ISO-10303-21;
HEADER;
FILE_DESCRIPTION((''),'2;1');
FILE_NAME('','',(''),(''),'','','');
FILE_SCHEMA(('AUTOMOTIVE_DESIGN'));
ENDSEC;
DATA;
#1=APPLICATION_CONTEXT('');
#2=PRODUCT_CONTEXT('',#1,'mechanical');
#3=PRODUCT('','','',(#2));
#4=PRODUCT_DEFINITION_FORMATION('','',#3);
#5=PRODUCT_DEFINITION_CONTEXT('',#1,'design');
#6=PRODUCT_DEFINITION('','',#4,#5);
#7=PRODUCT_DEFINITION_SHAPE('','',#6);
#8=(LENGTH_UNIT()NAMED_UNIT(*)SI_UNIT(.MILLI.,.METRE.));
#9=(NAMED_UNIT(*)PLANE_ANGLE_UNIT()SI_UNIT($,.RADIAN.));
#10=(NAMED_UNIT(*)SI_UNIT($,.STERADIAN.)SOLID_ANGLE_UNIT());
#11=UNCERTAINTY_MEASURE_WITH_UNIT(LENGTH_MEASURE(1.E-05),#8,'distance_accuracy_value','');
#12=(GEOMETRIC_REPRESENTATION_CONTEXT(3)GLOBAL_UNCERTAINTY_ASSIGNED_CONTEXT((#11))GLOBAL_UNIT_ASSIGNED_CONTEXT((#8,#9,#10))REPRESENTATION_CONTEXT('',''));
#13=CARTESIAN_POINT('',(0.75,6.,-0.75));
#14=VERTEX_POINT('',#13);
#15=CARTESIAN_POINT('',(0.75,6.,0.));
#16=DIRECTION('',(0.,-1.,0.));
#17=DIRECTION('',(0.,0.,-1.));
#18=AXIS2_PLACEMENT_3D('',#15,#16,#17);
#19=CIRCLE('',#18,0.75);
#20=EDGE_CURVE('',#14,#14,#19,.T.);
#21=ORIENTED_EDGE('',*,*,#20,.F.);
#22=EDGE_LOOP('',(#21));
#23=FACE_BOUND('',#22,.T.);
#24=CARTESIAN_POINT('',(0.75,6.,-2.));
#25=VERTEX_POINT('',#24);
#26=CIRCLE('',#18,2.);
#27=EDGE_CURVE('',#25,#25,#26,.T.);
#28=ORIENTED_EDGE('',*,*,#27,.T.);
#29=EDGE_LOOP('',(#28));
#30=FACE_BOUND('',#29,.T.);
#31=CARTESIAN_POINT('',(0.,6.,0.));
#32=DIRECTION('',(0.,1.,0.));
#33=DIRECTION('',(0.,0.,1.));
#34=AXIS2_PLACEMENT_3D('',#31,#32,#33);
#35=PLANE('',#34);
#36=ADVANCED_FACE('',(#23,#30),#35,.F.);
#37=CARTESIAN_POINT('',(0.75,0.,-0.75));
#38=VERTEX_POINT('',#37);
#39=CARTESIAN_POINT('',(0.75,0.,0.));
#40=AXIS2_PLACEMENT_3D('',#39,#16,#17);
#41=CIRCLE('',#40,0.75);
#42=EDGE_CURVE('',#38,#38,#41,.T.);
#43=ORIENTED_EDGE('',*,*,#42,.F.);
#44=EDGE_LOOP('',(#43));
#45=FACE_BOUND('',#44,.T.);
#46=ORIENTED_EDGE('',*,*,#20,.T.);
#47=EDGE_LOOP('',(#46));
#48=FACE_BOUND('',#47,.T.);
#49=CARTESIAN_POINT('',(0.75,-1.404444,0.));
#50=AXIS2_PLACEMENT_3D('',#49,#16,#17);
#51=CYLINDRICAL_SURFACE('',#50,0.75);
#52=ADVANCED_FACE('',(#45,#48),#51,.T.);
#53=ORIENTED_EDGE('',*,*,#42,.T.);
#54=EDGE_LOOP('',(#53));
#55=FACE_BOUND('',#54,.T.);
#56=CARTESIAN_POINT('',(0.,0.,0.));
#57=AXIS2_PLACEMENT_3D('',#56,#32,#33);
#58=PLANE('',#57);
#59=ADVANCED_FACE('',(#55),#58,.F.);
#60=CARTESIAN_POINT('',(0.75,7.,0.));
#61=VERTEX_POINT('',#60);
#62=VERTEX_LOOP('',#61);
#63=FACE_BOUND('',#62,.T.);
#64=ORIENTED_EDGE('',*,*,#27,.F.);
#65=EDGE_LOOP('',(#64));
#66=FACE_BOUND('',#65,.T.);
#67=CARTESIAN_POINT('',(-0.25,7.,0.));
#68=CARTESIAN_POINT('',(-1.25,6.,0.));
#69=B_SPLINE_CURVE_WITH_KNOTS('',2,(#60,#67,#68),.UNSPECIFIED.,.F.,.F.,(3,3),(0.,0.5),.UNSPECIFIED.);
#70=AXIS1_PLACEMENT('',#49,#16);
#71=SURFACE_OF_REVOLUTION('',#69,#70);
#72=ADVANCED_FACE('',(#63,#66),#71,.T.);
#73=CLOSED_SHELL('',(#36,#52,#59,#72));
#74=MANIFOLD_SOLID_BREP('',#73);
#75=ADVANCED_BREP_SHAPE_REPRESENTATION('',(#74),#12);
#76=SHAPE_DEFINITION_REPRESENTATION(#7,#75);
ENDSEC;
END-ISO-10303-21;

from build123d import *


with BuildPart() as part:
    # Sketch1 → Revolve1 (revolve)
    with BuildSketch(Plane.XY, mode=Mode.PRIVATE) as revolve1_sk:
        with BuildLine():
            Line((0, 0), (0, 6))
            Line((0, 6), (-1.25, 6))
            add(Edge.make_bspline(
                [(-1.25, 6), (-0.25, 7), (0.75, 7)],
                knots=[0, 0, 0, 0.5, 0.5, 0.5], degree=2))
            Line((0.75, 7), (0.75, 0))
            Line((0.75, 0), (0, 0))
        make_face()
    revolve(revolve1_sk.sketch.rotate(Axis((0.75, -1.404443636, 0), (0, 1, 0)), 270), axis=Axis((0.75, -1.404443636, 0), (0, 1, 0)))


solid = part.part
